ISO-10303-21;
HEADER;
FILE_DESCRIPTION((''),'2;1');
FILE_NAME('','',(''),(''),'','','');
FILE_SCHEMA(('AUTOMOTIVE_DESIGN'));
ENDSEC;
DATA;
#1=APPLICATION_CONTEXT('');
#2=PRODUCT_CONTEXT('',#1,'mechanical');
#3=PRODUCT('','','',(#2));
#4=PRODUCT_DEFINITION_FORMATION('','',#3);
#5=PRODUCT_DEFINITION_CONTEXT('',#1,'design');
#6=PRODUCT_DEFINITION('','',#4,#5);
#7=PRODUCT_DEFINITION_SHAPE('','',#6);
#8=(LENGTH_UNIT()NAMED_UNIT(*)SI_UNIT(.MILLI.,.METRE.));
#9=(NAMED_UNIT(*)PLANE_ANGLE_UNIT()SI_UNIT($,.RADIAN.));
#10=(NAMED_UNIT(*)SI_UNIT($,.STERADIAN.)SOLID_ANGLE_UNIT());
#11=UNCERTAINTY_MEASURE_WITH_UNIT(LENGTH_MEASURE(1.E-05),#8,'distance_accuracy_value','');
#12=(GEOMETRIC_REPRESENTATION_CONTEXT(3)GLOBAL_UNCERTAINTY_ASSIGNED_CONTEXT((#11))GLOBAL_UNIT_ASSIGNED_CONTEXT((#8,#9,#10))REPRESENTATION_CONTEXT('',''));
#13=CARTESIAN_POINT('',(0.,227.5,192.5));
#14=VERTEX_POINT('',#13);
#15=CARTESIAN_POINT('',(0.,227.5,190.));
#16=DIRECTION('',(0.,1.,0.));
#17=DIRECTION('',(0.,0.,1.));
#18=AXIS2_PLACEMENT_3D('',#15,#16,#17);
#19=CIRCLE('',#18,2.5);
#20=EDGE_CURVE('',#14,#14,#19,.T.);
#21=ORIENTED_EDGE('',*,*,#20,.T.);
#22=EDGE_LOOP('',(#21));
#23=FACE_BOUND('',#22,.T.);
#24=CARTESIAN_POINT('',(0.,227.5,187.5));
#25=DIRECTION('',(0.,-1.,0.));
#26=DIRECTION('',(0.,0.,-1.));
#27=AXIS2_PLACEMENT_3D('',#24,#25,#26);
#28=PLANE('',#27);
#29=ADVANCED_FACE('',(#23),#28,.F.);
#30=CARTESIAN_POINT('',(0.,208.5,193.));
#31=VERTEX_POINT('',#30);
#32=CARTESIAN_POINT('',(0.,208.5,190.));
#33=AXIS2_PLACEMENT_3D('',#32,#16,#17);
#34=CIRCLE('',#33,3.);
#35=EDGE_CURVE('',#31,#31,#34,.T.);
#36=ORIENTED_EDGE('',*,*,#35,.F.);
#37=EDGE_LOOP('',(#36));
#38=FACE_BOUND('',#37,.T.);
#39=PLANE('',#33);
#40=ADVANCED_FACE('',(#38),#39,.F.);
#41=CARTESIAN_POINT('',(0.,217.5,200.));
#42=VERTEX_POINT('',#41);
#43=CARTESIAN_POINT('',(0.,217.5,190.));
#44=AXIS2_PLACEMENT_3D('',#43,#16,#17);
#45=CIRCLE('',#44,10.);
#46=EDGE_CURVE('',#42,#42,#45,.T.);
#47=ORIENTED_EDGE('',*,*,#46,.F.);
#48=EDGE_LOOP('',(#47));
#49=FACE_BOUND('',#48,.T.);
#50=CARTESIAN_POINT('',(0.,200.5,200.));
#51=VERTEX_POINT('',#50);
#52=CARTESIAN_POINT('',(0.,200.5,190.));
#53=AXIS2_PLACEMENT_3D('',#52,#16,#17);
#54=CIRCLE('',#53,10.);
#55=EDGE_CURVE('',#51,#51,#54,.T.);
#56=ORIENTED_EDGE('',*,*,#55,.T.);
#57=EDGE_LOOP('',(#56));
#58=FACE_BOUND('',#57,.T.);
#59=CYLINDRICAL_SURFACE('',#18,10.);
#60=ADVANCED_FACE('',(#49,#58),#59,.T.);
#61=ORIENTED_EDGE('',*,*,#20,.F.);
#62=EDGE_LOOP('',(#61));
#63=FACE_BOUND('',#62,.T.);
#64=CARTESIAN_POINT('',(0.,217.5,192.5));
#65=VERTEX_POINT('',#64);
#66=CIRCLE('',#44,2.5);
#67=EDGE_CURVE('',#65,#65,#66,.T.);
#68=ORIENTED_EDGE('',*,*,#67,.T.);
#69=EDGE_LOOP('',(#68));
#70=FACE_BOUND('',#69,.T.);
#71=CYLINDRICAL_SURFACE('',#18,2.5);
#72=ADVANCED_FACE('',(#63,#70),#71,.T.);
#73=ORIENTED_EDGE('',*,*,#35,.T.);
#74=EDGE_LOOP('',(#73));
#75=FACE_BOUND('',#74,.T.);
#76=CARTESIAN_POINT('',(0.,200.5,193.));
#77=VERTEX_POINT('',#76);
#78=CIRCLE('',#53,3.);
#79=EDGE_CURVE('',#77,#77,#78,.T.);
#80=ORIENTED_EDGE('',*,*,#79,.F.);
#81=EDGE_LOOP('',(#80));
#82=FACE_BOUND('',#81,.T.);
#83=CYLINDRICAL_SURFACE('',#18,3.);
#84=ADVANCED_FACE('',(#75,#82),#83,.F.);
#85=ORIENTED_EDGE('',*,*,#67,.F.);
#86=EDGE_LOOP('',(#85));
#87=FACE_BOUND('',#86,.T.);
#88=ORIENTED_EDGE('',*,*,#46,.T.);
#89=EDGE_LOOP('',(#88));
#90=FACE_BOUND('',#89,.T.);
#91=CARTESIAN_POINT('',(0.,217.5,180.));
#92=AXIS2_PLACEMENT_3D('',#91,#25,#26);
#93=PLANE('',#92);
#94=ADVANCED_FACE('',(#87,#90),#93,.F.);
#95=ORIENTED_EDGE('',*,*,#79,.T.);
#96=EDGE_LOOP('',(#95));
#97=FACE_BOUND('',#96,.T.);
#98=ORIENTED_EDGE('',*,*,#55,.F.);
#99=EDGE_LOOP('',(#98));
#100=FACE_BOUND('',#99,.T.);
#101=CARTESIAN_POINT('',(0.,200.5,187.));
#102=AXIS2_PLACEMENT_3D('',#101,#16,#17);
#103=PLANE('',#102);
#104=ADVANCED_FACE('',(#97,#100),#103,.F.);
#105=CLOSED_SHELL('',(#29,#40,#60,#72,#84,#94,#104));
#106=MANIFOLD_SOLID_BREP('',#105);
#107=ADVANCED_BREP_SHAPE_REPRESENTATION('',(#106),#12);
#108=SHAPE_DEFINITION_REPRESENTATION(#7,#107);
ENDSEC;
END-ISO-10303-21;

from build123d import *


with BuildPart() as part:
    # Skizze2 → Rotation1 (revolve)
    with BuildSketch(Plane(origin=(0, 0, 0), x_dir=(0, 0, -1), z_dir=(1, 0, 0))):
        Polygon((-190, 227.5), (-190, 208.5), (-187, 208.5), (-187, 200.5), (-180, 200.5), (-180, 217.5), (-187.5, 217.5), (-187.5, 227.5), align=None)
    revolve(axis=Axis((0, 227.5, 190), (0, -1, 0)))


solid = part.part
